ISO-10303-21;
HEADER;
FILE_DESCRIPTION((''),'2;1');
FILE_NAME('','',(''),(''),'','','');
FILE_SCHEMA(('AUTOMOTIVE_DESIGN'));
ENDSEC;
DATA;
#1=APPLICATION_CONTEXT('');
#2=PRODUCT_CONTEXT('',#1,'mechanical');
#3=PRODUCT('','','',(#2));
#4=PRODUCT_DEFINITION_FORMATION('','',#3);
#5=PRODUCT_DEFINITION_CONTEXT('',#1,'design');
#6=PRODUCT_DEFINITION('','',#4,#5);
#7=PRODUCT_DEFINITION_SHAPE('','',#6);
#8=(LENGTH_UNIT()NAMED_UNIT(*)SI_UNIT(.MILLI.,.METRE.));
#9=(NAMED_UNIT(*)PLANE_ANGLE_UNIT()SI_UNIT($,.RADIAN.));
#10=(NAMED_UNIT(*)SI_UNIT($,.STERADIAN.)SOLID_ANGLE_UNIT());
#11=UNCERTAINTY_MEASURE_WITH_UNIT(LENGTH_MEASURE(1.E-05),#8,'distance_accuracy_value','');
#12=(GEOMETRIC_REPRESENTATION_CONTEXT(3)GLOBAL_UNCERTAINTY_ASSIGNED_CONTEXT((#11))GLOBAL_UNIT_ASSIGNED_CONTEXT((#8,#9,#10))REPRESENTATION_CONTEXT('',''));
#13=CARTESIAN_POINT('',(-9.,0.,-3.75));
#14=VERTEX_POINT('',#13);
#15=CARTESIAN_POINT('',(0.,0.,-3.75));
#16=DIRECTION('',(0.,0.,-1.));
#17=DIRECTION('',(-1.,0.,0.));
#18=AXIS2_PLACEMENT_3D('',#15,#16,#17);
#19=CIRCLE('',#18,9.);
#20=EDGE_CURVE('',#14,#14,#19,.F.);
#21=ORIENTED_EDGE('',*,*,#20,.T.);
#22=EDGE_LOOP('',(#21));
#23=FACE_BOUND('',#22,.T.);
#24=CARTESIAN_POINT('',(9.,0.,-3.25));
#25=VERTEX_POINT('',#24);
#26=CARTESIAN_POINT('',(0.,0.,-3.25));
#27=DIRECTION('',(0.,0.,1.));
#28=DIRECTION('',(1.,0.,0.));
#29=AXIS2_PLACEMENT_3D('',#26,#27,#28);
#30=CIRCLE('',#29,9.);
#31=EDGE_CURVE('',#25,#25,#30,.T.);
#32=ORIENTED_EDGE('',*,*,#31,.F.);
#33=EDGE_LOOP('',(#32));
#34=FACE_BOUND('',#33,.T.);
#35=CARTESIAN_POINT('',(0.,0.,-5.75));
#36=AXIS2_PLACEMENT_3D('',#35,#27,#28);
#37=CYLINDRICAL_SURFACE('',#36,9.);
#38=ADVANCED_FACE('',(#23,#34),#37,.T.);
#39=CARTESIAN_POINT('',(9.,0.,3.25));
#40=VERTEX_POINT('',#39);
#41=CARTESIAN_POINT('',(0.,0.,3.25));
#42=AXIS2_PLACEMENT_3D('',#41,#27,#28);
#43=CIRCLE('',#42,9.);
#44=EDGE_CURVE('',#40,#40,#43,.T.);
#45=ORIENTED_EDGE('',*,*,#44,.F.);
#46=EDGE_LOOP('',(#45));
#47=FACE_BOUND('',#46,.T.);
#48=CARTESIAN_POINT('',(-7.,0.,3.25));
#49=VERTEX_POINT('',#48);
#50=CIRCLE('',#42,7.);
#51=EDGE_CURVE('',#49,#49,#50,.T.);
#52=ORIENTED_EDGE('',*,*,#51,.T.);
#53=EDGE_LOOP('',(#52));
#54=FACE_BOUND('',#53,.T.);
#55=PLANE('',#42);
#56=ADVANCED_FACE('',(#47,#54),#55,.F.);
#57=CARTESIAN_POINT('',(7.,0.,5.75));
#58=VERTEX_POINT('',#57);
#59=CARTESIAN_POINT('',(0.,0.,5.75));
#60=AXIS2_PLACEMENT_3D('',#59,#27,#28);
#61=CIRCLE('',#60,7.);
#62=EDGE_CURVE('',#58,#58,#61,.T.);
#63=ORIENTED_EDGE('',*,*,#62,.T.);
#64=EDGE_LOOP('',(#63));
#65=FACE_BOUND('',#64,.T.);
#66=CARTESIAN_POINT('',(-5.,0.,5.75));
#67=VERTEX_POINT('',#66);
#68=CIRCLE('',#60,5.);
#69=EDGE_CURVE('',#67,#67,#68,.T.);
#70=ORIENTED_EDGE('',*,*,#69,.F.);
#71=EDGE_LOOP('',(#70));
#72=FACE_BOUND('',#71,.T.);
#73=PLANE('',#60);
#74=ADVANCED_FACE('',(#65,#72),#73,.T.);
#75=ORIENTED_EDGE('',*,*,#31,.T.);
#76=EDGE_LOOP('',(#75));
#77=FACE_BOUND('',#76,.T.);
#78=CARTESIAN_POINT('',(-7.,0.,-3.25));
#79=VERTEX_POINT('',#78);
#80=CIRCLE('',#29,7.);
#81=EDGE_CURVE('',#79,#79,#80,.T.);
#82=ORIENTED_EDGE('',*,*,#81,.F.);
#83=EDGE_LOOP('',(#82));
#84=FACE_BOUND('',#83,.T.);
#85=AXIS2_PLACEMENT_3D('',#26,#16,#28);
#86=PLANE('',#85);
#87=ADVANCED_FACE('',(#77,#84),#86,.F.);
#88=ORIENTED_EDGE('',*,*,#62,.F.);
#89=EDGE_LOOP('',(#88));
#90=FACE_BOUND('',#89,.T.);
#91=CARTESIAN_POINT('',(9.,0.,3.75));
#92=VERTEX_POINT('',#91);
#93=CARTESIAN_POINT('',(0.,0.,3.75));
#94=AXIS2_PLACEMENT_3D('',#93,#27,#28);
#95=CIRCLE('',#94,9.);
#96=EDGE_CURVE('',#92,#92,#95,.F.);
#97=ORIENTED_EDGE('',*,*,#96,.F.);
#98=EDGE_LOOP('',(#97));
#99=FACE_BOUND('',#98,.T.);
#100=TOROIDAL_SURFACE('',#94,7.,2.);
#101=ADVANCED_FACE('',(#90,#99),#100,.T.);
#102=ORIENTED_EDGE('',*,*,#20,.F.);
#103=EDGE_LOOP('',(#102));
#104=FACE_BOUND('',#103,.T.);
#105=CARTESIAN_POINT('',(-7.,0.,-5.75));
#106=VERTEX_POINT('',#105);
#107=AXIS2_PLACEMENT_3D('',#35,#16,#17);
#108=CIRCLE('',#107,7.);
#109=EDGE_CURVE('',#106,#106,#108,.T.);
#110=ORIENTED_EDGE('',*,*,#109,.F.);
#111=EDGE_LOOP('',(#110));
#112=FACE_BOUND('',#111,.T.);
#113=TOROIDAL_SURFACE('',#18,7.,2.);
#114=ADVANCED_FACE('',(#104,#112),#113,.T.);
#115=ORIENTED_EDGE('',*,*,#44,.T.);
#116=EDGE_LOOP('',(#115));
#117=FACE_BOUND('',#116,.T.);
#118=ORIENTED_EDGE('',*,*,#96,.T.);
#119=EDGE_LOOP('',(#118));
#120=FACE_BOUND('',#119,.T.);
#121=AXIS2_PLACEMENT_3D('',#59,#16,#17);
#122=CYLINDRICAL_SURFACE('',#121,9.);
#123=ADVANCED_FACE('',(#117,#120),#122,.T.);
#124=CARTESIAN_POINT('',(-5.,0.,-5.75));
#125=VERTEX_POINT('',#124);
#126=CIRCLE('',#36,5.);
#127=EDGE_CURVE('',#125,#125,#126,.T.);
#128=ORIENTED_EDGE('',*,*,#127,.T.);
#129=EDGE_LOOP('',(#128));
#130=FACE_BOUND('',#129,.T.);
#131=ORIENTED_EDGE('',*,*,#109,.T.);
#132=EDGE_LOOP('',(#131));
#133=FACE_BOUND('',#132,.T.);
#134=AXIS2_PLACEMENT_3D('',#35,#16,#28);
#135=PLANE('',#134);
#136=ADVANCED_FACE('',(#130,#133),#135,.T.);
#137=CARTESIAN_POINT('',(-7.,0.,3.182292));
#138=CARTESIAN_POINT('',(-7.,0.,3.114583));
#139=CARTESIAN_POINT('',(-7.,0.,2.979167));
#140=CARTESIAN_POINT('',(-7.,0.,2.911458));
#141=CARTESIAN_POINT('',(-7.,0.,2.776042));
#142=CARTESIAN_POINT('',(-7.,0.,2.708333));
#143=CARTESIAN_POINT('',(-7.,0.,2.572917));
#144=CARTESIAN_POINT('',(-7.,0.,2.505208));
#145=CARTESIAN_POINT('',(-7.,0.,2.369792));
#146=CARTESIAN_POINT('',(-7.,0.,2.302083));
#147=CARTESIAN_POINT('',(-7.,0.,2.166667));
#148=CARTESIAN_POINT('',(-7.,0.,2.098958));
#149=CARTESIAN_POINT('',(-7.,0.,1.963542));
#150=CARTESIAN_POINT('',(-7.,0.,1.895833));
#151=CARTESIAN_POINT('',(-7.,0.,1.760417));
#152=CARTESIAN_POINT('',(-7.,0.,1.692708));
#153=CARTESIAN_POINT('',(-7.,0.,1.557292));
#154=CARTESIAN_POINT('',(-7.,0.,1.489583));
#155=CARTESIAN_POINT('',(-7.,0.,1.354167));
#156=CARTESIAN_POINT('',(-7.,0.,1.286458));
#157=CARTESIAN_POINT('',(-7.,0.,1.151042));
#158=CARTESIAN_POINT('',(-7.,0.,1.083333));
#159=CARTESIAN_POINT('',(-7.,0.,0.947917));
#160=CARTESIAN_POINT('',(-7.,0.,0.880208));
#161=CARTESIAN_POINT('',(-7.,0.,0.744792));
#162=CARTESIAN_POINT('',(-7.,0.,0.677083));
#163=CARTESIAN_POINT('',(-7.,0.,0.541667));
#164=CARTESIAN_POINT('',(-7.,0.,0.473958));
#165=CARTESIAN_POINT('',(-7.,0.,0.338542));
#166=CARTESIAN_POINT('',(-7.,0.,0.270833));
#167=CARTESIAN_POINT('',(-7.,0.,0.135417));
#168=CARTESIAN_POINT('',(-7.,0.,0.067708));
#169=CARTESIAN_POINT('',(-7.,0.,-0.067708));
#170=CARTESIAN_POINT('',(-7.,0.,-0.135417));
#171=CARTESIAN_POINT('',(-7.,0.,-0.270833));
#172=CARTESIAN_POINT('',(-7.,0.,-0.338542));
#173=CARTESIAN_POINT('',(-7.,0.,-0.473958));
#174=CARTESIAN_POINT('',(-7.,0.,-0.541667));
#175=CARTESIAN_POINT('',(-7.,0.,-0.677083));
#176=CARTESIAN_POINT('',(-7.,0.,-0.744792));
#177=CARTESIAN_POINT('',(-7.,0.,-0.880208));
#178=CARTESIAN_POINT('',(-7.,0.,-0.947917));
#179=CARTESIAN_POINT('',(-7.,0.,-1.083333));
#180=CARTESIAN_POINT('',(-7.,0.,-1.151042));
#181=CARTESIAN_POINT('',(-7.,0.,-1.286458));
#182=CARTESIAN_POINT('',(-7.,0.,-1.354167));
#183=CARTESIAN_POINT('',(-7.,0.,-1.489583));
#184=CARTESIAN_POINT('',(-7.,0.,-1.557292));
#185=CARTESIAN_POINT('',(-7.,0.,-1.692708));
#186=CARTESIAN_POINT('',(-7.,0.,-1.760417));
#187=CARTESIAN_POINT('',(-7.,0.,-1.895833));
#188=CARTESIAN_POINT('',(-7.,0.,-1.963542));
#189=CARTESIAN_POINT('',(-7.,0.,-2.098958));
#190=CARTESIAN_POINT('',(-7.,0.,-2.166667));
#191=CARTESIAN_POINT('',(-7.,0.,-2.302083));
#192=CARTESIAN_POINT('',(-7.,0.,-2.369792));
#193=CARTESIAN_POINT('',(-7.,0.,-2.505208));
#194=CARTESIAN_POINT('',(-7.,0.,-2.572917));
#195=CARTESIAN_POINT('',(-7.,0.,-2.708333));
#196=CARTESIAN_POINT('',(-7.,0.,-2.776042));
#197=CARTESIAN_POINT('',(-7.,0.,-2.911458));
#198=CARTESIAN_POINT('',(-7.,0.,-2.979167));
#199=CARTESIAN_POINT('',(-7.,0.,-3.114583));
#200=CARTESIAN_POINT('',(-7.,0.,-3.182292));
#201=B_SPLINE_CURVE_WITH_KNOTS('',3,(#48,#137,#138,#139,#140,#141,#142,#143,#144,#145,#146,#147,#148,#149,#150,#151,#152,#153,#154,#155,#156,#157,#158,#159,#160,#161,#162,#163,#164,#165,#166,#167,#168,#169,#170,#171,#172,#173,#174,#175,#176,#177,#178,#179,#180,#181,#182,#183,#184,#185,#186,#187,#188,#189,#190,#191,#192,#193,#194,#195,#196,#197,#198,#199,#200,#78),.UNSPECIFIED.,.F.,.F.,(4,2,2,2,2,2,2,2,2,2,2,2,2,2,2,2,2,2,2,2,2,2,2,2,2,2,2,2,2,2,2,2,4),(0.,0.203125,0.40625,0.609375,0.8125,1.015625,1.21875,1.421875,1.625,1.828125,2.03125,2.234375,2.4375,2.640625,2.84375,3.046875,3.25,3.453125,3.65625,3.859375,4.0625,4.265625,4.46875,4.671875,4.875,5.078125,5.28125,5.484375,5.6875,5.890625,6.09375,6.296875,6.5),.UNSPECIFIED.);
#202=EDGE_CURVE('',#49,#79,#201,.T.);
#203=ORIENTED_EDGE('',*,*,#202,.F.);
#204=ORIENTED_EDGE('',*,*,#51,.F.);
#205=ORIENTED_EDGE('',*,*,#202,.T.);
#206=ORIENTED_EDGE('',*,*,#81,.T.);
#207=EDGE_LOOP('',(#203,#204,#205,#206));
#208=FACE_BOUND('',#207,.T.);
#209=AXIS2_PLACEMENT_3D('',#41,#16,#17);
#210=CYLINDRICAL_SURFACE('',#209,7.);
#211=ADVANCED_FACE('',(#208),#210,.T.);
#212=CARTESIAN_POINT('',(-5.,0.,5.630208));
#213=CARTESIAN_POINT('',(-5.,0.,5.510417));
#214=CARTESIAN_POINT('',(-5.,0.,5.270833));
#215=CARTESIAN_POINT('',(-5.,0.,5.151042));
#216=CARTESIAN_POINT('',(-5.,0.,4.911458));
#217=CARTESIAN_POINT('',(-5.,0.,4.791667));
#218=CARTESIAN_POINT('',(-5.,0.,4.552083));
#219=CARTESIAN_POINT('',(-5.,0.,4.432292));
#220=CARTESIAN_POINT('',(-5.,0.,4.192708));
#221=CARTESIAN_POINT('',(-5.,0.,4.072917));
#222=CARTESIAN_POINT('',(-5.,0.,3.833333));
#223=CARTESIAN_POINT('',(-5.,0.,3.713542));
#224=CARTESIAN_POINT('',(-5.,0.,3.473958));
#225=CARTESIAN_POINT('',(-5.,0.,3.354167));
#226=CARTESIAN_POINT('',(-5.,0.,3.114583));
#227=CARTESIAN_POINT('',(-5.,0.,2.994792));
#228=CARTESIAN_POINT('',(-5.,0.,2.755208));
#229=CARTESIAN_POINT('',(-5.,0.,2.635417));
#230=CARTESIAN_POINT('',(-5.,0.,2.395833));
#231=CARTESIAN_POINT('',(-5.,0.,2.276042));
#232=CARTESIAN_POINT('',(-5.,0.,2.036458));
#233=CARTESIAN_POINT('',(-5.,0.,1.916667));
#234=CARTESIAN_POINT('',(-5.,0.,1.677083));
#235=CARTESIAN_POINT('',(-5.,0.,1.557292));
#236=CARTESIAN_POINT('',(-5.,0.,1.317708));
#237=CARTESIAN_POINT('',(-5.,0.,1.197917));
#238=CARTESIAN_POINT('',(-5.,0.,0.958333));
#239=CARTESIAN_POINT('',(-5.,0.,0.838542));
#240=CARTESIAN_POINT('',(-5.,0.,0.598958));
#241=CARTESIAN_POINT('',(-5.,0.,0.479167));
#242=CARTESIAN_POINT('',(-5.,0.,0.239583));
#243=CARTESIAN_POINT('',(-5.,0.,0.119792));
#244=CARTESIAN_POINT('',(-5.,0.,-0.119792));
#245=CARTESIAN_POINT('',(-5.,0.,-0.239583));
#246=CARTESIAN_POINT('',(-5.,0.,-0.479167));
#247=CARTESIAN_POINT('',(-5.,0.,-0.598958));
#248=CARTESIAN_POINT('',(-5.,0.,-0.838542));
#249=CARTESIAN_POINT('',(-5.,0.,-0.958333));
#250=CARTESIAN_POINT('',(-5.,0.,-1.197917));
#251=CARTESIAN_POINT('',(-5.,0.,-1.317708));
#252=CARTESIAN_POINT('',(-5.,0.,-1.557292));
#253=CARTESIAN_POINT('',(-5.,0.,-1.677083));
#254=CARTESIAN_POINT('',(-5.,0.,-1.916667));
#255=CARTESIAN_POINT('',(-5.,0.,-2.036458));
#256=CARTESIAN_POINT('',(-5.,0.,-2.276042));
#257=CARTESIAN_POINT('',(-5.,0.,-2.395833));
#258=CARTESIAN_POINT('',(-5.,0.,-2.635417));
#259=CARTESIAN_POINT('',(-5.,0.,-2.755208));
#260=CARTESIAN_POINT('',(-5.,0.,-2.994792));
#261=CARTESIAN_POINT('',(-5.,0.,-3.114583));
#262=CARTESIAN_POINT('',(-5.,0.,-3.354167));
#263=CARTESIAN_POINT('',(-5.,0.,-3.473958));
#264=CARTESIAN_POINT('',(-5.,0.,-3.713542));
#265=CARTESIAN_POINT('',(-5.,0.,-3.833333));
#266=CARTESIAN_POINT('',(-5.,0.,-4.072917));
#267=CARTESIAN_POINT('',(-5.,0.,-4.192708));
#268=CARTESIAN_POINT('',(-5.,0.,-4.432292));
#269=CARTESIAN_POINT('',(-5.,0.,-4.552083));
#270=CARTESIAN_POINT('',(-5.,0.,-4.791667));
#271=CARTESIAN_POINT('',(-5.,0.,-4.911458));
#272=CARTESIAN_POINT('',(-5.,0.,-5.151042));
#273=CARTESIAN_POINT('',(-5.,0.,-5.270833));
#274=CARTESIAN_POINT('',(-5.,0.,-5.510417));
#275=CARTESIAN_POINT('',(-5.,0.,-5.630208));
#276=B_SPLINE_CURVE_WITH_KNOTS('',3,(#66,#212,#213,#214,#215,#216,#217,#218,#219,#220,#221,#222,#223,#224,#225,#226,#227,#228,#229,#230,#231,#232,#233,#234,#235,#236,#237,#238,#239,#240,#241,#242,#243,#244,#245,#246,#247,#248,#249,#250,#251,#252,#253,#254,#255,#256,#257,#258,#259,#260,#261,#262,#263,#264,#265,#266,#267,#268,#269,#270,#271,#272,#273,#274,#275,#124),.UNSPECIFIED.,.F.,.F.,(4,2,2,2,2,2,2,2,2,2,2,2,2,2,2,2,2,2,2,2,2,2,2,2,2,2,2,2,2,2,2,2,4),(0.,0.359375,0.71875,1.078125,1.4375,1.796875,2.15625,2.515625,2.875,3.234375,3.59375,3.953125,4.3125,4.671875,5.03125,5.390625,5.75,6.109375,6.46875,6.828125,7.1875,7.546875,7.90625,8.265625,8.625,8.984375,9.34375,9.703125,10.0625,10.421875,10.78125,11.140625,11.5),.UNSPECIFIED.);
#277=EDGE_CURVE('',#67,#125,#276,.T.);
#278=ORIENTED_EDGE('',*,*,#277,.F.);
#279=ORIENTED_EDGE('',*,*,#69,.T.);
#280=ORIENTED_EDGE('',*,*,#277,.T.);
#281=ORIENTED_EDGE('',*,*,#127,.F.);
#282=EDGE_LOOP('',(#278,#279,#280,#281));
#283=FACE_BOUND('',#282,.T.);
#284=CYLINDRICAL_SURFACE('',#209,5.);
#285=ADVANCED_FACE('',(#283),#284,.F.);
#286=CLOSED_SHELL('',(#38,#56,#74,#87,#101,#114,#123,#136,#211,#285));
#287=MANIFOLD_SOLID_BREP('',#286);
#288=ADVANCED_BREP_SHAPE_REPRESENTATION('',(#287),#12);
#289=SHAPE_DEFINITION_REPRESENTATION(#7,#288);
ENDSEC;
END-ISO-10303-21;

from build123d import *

# Parameters (mm, degrees)
SKETCH1_R            = 7
SKETCH1_R_2          = 5
BOSS_EXTRUDE1_DEPTH  = 3.25
SKETCH2_R            = 9
SKETCH2_R_2          = 5
BOSS_EXTRUDE2_DEPTH  = 2.5
FILLET1_R            = 2
FILLET1_OF_MIRROR1_R = 2


with BuildPart() as part:
    # Sketch1 → Boss-Extrude1 (new, symmetric)
    with BuildSketch(Plane.XY):
        with Locations(Location((0, 0, 0), (0, 0, 180))):
            Circle(SKETCH1_R)
        with Locations(Location((0, 0, 0), (0, 0, 180))):
            Circle(SKETCH1_R_2, mode=Mode.SUBTRACT)
    extrude(amount=BOSS_EXTRUDE1_DEPTH, both=True)

    # Sketch2 → Boss-Extrude2 (add)
    with BuildSketch(Plane.XY.offset(3.25)):
        Circle(SKETCH2_R)
        with Locations(Location((0, 0, 0), (0, 0, 180))):
            Circle(SKETCH2_R_2, mode=Mode.SUBTRACT)
    boss_extrude2 = extrude(amount=BOSS_EXTRUDE2_DEPTH)

    # Fillet1
    fillet1_edges = [part.edges().sort_by_distance(p)[0] for p in [
        (-9, 0, 5.75),
    ]]
    fillet(fillet1_edges, radius=FILLET1_R)

    # Mirror1: Boss-Extrude2 across plane
    add(boss_extrude2.mirror(Plane.XY))

    # Fillet1 of Mirror1
    fillet1_of_mirror1_edges = [part.edges().sort_by_distance(p)[0] for p in [
        (-9, 0, -5.75),
    ]]
    fillet(fillet1_of_mirror1_edges, radius=FILLET1_OF_MIRROR1_R)


solid = part.part
